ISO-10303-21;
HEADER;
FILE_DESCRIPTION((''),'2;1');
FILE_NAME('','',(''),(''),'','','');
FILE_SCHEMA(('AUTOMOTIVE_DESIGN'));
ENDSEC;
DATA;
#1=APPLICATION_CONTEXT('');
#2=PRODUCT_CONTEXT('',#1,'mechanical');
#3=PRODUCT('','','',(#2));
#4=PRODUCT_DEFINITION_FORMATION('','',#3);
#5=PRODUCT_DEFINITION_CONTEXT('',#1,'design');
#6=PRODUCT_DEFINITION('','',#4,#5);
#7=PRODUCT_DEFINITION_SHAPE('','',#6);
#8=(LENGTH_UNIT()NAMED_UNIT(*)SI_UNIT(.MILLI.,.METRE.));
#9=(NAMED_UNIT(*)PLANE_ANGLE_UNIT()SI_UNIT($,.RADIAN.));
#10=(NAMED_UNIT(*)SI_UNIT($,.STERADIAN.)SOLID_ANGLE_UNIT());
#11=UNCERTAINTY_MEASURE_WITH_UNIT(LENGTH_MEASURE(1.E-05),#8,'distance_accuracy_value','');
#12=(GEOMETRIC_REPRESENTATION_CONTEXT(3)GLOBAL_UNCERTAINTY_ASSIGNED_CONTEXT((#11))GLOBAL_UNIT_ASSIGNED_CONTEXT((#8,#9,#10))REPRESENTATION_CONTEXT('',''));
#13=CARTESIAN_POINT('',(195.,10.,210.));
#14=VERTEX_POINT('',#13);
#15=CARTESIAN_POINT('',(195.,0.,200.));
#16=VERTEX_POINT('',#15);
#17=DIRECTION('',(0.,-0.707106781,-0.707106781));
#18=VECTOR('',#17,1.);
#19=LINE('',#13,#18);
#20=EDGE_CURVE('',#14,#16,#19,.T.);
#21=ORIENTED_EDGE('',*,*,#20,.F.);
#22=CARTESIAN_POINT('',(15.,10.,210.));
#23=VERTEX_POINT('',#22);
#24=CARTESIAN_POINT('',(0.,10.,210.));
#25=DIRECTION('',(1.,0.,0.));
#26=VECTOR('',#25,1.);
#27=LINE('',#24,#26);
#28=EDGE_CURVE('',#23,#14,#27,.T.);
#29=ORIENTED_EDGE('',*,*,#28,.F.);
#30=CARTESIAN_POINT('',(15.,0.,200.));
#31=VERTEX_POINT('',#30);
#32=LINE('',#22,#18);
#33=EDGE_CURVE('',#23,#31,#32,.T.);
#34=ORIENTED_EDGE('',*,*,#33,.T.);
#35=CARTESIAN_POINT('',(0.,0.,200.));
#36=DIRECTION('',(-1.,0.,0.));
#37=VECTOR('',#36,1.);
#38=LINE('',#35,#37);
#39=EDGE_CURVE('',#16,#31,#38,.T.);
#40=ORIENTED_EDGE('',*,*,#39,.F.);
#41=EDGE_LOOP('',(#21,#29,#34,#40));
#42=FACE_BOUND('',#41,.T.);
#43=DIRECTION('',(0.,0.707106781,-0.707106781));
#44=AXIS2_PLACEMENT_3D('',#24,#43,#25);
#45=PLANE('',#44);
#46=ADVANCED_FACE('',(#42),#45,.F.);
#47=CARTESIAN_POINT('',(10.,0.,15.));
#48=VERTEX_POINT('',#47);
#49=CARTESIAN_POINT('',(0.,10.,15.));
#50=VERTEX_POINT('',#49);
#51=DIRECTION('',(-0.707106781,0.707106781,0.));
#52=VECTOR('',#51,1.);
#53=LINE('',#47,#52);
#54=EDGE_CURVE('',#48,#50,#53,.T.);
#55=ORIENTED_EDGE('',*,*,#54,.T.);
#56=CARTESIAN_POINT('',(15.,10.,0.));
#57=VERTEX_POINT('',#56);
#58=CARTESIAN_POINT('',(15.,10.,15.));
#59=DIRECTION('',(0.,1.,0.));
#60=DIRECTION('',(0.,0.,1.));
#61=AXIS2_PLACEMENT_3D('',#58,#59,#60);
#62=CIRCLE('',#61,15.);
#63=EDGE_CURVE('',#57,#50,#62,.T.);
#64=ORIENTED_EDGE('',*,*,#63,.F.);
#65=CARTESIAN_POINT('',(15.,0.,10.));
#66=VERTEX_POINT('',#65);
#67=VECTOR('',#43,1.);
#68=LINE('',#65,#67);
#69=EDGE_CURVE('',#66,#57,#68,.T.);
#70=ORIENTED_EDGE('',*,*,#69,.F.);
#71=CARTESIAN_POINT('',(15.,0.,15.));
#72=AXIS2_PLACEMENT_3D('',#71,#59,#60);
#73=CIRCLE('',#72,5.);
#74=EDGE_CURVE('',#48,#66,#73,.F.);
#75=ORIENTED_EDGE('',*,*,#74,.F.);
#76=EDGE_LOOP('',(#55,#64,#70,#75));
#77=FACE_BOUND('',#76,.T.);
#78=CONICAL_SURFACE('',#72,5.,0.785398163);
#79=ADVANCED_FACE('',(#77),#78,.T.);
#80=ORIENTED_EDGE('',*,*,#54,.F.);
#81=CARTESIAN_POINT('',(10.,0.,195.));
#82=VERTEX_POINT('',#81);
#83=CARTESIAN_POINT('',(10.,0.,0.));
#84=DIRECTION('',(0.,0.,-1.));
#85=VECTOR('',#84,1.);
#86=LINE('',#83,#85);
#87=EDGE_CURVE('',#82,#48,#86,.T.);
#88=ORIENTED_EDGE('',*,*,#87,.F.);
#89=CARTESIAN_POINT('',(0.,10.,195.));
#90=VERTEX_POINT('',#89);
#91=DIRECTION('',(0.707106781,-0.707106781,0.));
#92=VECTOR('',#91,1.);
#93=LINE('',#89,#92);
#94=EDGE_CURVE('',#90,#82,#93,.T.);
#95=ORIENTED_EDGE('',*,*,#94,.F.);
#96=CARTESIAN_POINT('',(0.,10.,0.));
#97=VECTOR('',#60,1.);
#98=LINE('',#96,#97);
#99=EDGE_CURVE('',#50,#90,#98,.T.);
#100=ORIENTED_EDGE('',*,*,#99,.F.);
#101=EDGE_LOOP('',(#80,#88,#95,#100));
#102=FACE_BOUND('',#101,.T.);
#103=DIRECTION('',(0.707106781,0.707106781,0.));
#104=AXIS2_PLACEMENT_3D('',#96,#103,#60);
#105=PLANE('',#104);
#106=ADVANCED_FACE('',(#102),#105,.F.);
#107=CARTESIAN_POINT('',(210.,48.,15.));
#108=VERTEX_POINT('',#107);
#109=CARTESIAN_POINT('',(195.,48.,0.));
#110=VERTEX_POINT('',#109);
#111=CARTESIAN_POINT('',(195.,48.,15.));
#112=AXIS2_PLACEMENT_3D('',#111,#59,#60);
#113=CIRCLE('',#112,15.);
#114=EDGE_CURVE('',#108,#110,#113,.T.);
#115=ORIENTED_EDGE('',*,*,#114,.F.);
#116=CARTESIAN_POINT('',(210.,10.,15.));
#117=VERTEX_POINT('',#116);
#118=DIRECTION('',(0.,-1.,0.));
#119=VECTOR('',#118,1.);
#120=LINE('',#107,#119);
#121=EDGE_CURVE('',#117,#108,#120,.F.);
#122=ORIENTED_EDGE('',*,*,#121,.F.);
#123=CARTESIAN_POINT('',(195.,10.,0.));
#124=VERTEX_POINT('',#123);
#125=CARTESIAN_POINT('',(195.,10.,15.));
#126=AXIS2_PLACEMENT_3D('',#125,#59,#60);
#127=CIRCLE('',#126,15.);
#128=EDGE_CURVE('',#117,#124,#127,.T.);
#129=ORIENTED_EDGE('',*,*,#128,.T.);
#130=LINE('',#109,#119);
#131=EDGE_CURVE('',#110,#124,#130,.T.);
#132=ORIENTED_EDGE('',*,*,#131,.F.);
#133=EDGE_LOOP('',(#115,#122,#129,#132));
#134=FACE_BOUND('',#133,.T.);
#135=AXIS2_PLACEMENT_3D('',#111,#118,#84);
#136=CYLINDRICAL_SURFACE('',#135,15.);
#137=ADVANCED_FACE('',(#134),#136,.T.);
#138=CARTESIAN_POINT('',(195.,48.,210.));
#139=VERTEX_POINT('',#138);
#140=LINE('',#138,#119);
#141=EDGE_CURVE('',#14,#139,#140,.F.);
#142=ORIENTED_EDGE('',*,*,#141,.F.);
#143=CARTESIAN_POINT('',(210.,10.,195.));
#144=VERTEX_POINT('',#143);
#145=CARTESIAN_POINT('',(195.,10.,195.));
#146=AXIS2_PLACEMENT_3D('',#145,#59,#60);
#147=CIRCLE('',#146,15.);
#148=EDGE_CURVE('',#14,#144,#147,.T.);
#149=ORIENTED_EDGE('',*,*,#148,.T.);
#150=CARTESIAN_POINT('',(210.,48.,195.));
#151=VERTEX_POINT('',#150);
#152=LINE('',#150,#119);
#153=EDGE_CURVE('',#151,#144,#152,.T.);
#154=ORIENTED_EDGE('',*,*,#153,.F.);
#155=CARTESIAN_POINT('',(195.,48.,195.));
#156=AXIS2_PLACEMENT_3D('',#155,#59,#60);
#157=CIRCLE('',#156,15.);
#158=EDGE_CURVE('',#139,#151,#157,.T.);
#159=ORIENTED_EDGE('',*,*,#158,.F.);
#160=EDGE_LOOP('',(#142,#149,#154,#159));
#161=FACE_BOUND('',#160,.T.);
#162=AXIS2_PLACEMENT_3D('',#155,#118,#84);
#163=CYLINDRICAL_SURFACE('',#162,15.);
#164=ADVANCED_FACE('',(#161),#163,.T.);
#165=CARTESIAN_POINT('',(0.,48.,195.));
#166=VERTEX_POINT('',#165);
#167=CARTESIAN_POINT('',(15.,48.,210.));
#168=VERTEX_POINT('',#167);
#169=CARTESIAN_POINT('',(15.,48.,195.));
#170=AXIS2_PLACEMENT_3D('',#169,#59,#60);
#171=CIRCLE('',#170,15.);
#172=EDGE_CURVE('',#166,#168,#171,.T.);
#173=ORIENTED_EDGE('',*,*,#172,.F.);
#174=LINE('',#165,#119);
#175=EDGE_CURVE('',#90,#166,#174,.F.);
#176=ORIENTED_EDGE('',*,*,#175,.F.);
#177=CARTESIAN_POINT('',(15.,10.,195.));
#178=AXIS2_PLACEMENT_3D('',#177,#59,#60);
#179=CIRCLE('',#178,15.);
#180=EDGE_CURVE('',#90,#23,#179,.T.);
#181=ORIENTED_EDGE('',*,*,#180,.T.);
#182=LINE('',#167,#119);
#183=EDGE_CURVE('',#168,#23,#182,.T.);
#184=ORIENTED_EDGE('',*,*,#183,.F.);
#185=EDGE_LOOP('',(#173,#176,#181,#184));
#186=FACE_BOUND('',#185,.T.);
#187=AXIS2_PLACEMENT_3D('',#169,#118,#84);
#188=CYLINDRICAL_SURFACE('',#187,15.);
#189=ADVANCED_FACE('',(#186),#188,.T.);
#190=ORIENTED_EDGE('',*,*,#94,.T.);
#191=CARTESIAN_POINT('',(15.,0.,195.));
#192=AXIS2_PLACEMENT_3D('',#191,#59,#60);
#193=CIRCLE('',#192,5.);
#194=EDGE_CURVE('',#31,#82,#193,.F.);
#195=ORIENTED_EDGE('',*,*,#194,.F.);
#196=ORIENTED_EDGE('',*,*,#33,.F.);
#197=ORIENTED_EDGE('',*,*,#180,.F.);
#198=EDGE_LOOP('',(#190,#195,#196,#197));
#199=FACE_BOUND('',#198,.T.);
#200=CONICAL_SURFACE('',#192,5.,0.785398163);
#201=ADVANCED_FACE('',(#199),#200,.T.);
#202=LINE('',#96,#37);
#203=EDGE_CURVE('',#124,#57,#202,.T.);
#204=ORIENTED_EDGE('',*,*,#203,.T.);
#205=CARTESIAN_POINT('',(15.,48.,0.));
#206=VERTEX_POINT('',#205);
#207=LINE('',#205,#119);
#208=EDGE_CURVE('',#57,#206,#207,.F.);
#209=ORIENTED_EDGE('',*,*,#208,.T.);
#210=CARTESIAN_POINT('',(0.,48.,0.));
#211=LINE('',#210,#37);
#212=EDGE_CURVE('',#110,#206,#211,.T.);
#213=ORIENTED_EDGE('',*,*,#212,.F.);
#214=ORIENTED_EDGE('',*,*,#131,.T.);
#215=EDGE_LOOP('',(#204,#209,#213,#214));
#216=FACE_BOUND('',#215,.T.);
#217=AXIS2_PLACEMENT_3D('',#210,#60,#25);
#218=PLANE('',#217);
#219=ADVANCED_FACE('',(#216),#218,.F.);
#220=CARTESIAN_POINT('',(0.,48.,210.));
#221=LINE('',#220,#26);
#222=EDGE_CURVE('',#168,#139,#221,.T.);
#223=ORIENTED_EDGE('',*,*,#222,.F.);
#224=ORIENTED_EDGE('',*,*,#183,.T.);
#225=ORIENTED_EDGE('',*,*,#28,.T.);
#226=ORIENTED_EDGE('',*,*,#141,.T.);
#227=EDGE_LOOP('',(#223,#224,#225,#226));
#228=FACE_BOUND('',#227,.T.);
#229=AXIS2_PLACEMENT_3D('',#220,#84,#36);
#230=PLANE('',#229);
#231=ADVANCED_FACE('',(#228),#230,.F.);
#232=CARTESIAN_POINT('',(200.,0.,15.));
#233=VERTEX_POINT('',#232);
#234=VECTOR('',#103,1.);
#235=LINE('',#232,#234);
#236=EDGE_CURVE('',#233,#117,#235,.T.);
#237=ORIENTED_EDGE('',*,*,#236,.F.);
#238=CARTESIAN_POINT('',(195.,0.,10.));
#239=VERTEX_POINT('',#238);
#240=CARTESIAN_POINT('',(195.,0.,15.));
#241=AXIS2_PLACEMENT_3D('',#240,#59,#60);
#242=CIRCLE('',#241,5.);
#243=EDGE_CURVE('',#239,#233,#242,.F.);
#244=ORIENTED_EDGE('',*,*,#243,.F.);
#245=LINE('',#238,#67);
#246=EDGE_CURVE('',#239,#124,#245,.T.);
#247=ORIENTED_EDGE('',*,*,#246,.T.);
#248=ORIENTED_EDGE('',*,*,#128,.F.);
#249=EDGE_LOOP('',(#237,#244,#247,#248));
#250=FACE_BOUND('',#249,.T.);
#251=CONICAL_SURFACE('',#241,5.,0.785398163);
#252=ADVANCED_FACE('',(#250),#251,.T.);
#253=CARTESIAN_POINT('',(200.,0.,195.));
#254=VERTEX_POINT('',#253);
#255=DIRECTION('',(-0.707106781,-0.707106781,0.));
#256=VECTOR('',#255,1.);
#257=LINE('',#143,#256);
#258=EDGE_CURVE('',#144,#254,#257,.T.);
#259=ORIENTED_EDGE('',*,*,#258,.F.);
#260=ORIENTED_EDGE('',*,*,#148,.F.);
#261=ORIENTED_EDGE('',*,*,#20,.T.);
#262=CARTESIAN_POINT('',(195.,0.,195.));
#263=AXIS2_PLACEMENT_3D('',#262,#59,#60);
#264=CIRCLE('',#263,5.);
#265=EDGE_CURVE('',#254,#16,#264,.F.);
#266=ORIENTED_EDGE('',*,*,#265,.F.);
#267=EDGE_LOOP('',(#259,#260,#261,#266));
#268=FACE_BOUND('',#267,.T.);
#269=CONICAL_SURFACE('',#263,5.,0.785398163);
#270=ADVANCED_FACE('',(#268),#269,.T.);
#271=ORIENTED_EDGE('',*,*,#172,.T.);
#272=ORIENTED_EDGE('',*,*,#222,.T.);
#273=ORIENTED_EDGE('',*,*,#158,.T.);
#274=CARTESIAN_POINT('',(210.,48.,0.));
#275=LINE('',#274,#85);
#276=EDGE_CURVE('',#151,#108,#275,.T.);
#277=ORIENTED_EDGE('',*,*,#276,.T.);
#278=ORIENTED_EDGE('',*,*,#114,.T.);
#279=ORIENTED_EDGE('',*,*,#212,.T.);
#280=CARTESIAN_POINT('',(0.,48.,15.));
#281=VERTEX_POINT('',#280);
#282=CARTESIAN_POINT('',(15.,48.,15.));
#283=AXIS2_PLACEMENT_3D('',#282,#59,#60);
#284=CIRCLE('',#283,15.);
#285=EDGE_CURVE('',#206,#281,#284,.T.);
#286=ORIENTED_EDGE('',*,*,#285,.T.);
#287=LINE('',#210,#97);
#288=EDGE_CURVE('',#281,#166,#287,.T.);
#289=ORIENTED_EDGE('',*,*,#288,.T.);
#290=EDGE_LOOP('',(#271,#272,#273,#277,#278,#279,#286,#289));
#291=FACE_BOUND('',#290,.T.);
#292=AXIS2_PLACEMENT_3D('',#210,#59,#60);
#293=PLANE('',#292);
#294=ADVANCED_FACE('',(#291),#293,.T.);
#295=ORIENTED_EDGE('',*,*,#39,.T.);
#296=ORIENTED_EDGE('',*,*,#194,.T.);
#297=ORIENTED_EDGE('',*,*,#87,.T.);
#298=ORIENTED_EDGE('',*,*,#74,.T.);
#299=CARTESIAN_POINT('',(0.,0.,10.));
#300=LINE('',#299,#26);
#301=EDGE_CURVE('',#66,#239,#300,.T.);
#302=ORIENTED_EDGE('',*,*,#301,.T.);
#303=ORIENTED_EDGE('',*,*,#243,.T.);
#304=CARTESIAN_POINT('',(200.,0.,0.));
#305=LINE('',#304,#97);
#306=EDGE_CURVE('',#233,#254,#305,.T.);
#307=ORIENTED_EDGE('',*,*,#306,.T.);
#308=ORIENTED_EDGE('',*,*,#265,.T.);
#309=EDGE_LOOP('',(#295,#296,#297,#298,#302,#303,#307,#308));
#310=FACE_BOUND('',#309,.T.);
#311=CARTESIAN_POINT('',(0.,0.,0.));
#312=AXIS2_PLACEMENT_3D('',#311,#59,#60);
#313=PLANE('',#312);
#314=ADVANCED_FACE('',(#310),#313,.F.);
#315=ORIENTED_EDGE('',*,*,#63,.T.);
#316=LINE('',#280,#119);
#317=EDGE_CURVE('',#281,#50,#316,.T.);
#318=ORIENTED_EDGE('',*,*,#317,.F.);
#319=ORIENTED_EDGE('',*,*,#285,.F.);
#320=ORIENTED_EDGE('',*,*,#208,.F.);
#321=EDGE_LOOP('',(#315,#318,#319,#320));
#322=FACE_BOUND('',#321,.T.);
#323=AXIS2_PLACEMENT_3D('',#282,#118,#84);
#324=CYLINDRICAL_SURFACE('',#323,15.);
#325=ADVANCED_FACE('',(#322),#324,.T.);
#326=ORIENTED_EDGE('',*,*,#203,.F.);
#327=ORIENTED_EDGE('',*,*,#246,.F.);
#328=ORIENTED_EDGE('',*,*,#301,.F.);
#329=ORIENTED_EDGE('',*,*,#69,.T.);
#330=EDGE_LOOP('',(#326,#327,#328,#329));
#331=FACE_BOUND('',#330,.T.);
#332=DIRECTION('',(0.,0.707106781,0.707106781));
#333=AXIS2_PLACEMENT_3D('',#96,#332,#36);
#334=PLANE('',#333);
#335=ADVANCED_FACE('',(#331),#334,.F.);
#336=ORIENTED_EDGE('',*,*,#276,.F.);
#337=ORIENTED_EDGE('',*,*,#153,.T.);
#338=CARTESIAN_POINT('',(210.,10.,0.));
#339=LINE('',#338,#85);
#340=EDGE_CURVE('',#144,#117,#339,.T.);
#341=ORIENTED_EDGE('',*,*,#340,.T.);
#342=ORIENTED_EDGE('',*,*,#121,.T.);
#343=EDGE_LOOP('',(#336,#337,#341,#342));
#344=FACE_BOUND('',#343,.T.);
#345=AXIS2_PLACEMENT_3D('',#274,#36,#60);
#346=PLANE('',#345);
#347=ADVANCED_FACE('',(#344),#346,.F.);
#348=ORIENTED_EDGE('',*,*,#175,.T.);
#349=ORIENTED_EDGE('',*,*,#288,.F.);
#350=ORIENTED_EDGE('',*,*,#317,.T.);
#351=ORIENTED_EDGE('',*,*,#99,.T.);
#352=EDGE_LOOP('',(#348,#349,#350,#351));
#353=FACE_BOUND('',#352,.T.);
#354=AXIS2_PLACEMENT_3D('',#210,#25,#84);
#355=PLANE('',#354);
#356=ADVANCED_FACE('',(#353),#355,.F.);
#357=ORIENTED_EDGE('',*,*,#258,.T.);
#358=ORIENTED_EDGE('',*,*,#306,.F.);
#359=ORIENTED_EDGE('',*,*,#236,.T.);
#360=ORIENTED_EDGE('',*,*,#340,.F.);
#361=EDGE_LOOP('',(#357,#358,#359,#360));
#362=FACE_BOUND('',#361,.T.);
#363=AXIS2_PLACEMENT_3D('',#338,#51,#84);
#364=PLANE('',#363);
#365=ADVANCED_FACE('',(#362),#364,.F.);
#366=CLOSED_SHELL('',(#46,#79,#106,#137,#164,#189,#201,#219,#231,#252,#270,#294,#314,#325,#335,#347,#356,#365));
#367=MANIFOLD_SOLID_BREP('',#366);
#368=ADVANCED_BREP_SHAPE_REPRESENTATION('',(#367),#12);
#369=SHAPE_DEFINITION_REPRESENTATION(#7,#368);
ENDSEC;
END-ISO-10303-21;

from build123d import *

# Parameters (mm, degrees)
SKETCH_1_W      = 210
SKETCH_1_H      = 210
EXTRUDE_1_DEPTH = 48
FILLET_1_R      = 15
CHAMFER_1_SIZE  = 10


with BuildPart() as part:
    # 草图1 → 凸台-拉伸1 (new body)
    with BuildSketch(Plane(origin=(0, 0, 0), x_dir=(1, 0, 0), z_dir=(0, 1, 0))):
        with Locations((105, -105)):
            Rectangle(SKETCH_1_W, SKETCH_1_H)
    extrude(amount=EXTRUDE_1_DEPTH)

    # 圆角1
    fillet_1_edges = [part.edges().sort_by_distance(p)[0] for p in [
        (0, 24, 0),
        (210, 24, 0),
        (210, 24, 210),
        (0, 24, 210),
    ]]
    fillet(fillet_1_edges, radius=FILLET_1_R)

    # 倒角1
    chamfer_1_edges = [part.edges().sort_by_distance(p)[0] for p in [
        (0, 0, 105),
        (105, 0, 0),
        (210, 0, 105),
        (105, 0, 210),
        (4.393398282, 0, 205.606601718),
        (205.606601718, 0, 205.606601718),
        (205.606601718, 0, 4.393398282),
        (4.393398282, 0, 4.393398282),
    ]]
    chamfer(chamfer_1_edges, length=CHAMFER_1_SIZE)


solid = part.part
